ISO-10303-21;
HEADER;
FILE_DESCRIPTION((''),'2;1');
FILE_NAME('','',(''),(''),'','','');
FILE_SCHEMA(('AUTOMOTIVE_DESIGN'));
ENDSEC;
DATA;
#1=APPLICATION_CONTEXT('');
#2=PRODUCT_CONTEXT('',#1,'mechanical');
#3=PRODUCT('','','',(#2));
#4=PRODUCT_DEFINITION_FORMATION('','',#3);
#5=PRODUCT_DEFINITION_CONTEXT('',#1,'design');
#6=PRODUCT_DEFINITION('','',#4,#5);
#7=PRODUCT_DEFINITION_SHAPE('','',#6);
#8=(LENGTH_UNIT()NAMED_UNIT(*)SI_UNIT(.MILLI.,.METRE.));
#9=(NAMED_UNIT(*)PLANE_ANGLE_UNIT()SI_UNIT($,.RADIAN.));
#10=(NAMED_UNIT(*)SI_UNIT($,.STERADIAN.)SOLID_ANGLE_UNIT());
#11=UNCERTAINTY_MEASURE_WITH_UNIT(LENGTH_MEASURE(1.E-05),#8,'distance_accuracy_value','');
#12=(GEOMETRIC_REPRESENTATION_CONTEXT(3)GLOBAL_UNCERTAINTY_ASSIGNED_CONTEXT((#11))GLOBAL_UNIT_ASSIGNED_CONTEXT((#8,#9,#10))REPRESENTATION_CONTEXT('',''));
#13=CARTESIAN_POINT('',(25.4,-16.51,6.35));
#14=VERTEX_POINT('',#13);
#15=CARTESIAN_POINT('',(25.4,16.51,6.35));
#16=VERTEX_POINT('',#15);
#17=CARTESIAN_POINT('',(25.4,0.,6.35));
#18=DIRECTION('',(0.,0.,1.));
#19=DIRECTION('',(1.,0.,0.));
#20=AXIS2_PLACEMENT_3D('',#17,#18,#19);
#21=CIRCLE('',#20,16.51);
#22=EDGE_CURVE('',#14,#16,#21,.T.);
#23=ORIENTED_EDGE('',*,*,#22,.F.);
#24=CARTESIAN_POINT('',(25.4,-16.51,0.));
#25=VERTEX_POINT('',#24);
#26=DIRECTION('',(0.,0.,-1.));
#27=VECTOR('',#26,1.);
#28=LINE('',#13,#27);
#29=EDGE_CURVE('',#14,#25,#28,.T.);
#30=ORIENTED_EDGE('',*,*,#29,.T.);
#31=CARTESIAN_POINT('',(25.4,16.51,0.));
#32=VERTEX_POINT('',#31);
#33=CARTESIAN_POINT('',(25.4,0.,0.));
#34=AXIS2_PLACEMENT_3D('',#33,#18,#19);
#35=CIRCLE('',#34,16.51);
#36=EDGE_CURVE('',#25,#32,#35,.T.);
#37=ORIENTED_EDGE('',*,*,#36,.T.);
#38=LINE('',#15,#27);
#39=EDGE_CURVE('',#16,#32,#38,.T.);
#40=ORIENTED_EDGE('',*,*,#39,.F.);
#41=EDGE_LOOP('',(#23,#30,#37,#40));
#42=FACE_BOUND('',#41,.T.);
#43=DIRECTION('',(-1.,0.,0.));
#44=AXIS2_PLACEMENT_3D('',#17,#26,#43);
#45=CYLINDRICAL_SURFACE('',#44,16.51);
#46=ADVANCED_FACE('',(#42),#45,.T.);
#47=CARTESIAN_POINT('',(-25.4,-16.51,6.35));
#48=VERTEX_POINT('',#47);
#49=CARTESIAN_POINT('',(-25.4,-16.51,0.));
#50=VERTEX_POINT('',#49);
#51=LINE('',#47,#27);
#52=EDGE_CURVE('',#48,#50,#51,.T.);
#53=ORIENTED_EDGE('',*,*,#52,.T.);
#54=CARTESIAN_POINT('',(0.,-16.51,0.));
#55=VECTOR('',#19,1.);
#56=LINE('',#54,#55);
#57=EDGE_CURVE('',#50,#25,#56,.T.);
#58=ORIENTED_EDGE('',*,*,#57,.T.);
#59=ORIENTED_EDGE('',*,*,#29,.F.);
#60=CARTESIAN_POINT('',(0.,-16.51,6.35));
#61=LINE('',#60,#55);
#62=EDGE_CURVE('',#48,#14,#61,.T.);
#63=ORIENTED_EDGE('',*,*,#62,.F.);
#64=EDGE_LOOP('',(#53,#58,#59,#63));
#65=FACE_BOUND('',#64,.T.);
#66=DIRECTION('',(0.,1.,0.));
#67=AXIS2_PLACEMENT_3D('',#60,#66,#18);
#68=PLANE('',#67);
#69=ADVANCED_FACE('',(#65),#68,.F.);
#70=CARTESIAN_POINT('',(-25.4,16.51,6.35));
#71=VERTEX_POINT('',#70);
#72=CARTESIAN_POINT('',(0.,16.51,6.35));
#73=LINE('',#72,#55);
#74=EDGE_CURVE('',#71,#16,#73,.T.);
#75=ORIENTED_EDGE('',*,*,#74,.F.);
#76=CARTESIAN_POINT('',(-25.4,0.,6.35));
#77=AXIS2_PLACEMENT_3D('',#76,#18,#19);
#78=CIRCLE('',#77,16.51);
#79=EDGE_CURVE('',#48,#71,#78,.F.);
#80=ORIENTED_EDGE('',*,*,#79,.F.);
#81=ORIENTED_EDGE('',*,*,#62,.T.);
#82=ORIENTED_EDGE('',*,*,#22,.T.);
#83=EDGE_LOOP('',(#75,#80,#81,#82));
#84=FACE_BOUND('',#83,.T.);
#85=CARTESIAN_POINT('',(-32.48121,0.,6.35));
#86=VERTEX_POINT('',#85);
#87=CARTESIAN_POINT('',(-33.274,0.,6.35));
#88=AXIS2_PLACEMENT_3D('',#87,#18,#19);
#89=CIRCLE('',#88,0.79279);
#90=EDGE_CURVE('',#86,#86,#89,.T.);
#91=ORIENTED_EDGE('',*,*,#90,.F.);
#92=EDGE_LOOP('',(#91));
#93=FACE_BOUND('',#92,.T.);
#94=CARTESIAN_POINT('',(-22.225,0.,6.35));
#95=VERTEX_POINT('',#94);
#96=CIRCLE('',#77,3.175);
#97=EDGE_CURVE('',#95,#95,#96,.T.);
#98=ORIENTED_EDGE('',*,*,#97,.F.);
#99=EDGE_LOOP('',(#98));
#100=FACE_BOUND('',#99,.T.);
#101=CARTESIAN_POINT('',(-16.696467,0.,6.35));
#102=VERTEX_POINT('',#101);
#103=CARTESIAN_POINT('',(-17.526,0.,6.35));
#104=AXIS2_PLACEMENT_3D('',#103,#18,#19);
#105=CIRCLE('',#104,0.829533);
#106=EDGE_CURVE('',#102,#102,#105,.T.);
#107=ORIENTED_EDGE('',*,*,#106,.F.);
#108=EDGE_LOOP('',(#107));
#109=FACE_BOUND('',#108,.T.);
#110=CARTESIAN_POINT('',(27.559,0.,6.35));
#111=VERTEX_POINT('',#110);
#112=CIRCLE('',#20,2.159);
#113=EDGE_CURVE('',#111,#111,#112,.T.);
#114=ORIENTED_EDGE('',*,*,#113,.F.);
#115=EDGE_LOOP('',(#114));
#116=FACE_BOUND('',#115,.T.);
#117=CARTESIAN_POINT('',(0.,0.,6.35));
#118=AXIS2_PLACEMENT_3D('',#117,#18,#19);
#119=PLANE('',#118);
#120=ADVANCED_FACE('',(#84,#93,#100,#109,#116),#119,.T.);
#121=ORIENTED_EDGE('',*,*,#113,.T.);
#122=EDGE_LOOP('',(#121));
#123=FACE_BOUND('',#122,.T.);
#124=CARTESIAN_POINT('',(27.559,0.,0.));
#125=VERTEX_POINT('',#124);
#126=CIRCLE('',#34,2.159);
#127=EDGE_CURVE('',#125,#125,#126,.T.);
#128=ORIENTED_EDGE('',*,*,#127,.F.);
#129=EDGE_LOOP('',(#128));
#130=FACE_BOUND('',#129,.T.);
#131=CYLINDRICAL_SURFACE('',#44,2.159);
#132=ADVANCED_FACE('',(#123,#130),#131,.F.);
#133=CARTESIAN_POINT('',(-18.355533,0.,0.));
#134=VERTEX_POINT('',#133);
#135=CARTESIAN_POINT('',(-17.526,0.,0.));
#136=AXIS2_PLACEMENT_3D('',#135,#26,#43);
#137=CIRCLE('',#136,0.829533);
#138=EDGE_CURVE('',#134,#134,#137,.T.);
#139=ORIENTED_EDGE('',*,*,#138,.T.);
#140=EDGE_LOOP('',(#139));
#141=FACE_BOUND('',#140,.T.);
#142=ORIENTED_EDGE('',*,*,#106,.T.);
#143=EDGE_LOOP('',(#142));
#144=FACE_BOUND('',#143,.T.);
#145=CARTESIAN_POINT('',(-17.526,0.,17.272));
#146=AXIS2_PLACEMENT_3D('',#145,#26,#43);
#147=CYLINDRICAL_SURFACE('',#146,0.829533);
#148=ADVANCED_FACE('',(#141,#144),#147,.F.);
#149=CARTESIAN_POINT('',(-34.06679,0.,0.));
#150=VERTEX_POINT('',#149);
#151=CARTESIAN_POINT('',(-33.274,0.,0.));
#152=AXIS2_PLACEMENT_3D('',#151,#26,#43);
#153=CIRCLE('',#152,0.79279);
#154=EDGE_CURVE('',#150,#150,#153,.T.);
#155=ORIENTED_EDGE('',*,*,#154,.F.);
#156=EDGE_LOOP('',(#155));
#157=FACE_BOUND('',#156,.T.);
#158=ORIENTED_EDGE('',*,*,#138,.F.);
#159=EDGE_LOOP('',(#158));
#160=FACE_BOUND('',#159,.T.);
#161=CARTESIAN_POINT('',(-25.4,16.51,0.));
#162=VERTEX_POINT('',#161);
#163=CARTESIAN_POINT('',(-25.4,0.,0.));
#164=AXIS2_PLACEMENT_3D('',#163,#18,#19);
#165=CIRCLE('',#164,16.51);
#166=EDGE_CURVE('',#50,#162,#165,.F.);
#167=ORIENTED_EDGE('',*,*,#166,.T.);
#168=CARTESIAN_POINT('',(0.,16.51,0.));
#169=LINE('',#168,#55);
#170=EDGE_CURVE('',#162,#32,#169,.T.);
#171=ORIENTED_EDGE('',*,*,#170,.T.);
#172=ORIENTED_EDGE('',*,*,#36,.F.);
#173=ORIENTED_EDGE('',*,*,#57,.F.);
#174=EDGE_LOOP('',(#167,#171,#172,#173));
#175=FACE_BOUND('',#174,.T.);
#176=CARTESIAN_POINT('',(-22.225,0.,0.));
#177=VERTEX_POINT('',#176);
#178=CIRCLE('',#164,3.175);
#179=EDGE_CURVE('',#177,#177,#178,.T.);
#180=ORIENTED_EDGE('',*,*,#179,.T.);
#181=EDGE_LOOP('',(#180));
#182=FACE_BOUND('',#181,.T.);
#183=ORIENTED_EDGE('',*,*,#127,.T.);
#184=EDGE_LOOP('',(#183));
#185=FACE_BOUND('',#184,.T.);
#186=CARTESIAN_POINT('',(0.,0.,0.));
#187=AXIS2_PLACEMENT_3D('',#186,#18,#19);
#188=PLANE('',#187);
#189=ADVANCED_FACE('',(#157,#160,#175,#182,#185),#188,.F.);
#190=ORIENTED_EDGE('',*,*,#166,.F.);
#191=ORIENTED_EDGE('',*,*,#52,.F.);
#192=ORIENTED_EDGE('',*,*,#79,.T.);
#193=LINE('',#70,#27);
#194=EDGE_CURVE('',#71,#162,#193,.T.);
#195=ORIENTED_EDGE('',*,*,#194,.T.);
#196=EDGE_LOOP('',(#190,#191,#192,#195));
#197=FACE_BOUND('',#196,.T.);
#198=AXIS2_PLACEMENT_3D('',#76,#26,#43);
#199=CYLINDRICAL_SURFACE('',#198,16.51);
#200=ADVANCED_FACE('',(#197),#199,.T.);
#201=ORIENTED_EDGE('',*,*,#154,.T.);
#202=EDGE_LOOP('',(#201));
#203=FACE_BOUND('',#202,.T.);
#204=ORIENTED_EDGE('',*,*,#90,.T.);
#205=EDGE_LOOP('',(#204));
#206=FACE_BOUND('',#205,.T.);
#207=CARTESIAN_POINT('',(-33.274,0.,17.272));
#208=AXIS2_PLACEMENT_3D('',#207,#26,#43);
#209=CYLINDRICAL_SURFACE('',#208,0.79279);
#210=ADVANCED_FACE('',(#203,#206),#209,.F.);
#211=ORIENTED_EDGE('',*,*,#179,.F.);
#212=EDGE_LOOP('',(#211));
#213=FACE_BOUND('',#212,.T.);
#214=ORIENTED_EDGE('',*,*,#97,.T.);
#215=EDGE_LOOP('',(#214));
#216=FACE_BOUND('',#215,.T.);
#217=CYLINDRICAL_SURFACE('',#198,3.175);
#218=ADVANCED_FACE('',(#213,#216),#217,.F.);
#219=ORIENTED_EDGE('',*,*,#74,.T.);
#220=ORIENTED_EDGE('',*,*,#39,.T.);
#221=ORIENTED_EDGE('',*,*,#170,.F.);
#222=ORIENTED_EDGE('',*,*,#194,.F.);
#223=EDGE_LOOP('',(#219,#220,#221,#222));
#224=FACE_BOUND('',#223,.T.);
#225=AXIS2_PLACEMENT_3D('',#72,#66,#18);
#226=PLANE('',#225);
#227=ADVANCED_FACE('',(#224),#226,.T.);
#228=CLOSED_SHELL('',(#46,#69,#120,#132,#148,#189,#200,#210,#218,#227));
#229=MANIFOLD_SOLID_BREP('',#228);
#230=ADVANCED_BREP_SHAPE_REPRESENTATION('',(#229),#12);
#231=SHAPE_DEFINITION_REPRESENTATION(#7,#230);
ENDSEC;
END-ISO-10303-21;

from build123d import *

# Parameters (mm, degrees)
SKETCH1_R           = 2.159
SKETCH1_R_2         = 3.175
BOSS_EXTRUDE1_DEPTH = 6.35
SKETCH2_R           = 7.759647624
SKETCH2_R_2         = 3.81
BOSS_EXTRUDE2_DEPTH = 1.27
SKETCH3_R           = 0.829532788
SKETCH3_R_2         = 0.792789718
CUT_EXTRUDE1_DEPTH  = 17.272


with BuildPart() as part:
    # Sketch1 → Boss-Extrude1 (new body)
    with BuildSketch(Plane.XY):
        with BuildLine():
            Line((-25.4, 16.51), (25.4, 16.51))
            ThreePointArc((25.4, 16.51), (41.91, 0), (25.4, -16.51))
            Line((25.4, -16.51), (-25.4, -16.51))
            ThreePointArc((-25.4, -16.51), (-41.91, 0), (-25.4, 16.51))
        make_face()
        with Locations((25.4, 0)):
            Circle(SKETCH1_R, mode=Mode.SUBTRACT)
        with Locations((-25.4, 0)):
            Circle(SKETCH1_R_2, mode=Mode.SUBTRACT)
    extrude(amount=BOSS_EXTRUDE1_DEPTH)

    # Sketch2 → Boss-Extrude2 (add)
    with BuildSketch(Plane.XY.offset(6.35)):
        with Locations((25.4, 0)):
            Circle(SKETCH2_R)
        with Locations((25.4, 0)):
            Circle(SKETCH2_R_2, mode=Mode.SUBTRACT)
    extrude(amount=-BOSS_EXTRUDE2_DEPTH)

    # Sketch3 → Cut-Extrude1 (cut)
    with BuildSketch(Plane(origin=(0, 0, 0), x_dir=(-1, 0, 0), z_dir=(0, 0, -1))):
        with Locations((17.526, 0)):
            Circle(SKETCH3_R)
        with Locations((33.274, 0)):
            Circle(SKETCH3_R_2)
    extrude(amount=-CUT_EXTRUDE1_DEPTH, mode=Mode.SUBTRACT)


solid = part.part
